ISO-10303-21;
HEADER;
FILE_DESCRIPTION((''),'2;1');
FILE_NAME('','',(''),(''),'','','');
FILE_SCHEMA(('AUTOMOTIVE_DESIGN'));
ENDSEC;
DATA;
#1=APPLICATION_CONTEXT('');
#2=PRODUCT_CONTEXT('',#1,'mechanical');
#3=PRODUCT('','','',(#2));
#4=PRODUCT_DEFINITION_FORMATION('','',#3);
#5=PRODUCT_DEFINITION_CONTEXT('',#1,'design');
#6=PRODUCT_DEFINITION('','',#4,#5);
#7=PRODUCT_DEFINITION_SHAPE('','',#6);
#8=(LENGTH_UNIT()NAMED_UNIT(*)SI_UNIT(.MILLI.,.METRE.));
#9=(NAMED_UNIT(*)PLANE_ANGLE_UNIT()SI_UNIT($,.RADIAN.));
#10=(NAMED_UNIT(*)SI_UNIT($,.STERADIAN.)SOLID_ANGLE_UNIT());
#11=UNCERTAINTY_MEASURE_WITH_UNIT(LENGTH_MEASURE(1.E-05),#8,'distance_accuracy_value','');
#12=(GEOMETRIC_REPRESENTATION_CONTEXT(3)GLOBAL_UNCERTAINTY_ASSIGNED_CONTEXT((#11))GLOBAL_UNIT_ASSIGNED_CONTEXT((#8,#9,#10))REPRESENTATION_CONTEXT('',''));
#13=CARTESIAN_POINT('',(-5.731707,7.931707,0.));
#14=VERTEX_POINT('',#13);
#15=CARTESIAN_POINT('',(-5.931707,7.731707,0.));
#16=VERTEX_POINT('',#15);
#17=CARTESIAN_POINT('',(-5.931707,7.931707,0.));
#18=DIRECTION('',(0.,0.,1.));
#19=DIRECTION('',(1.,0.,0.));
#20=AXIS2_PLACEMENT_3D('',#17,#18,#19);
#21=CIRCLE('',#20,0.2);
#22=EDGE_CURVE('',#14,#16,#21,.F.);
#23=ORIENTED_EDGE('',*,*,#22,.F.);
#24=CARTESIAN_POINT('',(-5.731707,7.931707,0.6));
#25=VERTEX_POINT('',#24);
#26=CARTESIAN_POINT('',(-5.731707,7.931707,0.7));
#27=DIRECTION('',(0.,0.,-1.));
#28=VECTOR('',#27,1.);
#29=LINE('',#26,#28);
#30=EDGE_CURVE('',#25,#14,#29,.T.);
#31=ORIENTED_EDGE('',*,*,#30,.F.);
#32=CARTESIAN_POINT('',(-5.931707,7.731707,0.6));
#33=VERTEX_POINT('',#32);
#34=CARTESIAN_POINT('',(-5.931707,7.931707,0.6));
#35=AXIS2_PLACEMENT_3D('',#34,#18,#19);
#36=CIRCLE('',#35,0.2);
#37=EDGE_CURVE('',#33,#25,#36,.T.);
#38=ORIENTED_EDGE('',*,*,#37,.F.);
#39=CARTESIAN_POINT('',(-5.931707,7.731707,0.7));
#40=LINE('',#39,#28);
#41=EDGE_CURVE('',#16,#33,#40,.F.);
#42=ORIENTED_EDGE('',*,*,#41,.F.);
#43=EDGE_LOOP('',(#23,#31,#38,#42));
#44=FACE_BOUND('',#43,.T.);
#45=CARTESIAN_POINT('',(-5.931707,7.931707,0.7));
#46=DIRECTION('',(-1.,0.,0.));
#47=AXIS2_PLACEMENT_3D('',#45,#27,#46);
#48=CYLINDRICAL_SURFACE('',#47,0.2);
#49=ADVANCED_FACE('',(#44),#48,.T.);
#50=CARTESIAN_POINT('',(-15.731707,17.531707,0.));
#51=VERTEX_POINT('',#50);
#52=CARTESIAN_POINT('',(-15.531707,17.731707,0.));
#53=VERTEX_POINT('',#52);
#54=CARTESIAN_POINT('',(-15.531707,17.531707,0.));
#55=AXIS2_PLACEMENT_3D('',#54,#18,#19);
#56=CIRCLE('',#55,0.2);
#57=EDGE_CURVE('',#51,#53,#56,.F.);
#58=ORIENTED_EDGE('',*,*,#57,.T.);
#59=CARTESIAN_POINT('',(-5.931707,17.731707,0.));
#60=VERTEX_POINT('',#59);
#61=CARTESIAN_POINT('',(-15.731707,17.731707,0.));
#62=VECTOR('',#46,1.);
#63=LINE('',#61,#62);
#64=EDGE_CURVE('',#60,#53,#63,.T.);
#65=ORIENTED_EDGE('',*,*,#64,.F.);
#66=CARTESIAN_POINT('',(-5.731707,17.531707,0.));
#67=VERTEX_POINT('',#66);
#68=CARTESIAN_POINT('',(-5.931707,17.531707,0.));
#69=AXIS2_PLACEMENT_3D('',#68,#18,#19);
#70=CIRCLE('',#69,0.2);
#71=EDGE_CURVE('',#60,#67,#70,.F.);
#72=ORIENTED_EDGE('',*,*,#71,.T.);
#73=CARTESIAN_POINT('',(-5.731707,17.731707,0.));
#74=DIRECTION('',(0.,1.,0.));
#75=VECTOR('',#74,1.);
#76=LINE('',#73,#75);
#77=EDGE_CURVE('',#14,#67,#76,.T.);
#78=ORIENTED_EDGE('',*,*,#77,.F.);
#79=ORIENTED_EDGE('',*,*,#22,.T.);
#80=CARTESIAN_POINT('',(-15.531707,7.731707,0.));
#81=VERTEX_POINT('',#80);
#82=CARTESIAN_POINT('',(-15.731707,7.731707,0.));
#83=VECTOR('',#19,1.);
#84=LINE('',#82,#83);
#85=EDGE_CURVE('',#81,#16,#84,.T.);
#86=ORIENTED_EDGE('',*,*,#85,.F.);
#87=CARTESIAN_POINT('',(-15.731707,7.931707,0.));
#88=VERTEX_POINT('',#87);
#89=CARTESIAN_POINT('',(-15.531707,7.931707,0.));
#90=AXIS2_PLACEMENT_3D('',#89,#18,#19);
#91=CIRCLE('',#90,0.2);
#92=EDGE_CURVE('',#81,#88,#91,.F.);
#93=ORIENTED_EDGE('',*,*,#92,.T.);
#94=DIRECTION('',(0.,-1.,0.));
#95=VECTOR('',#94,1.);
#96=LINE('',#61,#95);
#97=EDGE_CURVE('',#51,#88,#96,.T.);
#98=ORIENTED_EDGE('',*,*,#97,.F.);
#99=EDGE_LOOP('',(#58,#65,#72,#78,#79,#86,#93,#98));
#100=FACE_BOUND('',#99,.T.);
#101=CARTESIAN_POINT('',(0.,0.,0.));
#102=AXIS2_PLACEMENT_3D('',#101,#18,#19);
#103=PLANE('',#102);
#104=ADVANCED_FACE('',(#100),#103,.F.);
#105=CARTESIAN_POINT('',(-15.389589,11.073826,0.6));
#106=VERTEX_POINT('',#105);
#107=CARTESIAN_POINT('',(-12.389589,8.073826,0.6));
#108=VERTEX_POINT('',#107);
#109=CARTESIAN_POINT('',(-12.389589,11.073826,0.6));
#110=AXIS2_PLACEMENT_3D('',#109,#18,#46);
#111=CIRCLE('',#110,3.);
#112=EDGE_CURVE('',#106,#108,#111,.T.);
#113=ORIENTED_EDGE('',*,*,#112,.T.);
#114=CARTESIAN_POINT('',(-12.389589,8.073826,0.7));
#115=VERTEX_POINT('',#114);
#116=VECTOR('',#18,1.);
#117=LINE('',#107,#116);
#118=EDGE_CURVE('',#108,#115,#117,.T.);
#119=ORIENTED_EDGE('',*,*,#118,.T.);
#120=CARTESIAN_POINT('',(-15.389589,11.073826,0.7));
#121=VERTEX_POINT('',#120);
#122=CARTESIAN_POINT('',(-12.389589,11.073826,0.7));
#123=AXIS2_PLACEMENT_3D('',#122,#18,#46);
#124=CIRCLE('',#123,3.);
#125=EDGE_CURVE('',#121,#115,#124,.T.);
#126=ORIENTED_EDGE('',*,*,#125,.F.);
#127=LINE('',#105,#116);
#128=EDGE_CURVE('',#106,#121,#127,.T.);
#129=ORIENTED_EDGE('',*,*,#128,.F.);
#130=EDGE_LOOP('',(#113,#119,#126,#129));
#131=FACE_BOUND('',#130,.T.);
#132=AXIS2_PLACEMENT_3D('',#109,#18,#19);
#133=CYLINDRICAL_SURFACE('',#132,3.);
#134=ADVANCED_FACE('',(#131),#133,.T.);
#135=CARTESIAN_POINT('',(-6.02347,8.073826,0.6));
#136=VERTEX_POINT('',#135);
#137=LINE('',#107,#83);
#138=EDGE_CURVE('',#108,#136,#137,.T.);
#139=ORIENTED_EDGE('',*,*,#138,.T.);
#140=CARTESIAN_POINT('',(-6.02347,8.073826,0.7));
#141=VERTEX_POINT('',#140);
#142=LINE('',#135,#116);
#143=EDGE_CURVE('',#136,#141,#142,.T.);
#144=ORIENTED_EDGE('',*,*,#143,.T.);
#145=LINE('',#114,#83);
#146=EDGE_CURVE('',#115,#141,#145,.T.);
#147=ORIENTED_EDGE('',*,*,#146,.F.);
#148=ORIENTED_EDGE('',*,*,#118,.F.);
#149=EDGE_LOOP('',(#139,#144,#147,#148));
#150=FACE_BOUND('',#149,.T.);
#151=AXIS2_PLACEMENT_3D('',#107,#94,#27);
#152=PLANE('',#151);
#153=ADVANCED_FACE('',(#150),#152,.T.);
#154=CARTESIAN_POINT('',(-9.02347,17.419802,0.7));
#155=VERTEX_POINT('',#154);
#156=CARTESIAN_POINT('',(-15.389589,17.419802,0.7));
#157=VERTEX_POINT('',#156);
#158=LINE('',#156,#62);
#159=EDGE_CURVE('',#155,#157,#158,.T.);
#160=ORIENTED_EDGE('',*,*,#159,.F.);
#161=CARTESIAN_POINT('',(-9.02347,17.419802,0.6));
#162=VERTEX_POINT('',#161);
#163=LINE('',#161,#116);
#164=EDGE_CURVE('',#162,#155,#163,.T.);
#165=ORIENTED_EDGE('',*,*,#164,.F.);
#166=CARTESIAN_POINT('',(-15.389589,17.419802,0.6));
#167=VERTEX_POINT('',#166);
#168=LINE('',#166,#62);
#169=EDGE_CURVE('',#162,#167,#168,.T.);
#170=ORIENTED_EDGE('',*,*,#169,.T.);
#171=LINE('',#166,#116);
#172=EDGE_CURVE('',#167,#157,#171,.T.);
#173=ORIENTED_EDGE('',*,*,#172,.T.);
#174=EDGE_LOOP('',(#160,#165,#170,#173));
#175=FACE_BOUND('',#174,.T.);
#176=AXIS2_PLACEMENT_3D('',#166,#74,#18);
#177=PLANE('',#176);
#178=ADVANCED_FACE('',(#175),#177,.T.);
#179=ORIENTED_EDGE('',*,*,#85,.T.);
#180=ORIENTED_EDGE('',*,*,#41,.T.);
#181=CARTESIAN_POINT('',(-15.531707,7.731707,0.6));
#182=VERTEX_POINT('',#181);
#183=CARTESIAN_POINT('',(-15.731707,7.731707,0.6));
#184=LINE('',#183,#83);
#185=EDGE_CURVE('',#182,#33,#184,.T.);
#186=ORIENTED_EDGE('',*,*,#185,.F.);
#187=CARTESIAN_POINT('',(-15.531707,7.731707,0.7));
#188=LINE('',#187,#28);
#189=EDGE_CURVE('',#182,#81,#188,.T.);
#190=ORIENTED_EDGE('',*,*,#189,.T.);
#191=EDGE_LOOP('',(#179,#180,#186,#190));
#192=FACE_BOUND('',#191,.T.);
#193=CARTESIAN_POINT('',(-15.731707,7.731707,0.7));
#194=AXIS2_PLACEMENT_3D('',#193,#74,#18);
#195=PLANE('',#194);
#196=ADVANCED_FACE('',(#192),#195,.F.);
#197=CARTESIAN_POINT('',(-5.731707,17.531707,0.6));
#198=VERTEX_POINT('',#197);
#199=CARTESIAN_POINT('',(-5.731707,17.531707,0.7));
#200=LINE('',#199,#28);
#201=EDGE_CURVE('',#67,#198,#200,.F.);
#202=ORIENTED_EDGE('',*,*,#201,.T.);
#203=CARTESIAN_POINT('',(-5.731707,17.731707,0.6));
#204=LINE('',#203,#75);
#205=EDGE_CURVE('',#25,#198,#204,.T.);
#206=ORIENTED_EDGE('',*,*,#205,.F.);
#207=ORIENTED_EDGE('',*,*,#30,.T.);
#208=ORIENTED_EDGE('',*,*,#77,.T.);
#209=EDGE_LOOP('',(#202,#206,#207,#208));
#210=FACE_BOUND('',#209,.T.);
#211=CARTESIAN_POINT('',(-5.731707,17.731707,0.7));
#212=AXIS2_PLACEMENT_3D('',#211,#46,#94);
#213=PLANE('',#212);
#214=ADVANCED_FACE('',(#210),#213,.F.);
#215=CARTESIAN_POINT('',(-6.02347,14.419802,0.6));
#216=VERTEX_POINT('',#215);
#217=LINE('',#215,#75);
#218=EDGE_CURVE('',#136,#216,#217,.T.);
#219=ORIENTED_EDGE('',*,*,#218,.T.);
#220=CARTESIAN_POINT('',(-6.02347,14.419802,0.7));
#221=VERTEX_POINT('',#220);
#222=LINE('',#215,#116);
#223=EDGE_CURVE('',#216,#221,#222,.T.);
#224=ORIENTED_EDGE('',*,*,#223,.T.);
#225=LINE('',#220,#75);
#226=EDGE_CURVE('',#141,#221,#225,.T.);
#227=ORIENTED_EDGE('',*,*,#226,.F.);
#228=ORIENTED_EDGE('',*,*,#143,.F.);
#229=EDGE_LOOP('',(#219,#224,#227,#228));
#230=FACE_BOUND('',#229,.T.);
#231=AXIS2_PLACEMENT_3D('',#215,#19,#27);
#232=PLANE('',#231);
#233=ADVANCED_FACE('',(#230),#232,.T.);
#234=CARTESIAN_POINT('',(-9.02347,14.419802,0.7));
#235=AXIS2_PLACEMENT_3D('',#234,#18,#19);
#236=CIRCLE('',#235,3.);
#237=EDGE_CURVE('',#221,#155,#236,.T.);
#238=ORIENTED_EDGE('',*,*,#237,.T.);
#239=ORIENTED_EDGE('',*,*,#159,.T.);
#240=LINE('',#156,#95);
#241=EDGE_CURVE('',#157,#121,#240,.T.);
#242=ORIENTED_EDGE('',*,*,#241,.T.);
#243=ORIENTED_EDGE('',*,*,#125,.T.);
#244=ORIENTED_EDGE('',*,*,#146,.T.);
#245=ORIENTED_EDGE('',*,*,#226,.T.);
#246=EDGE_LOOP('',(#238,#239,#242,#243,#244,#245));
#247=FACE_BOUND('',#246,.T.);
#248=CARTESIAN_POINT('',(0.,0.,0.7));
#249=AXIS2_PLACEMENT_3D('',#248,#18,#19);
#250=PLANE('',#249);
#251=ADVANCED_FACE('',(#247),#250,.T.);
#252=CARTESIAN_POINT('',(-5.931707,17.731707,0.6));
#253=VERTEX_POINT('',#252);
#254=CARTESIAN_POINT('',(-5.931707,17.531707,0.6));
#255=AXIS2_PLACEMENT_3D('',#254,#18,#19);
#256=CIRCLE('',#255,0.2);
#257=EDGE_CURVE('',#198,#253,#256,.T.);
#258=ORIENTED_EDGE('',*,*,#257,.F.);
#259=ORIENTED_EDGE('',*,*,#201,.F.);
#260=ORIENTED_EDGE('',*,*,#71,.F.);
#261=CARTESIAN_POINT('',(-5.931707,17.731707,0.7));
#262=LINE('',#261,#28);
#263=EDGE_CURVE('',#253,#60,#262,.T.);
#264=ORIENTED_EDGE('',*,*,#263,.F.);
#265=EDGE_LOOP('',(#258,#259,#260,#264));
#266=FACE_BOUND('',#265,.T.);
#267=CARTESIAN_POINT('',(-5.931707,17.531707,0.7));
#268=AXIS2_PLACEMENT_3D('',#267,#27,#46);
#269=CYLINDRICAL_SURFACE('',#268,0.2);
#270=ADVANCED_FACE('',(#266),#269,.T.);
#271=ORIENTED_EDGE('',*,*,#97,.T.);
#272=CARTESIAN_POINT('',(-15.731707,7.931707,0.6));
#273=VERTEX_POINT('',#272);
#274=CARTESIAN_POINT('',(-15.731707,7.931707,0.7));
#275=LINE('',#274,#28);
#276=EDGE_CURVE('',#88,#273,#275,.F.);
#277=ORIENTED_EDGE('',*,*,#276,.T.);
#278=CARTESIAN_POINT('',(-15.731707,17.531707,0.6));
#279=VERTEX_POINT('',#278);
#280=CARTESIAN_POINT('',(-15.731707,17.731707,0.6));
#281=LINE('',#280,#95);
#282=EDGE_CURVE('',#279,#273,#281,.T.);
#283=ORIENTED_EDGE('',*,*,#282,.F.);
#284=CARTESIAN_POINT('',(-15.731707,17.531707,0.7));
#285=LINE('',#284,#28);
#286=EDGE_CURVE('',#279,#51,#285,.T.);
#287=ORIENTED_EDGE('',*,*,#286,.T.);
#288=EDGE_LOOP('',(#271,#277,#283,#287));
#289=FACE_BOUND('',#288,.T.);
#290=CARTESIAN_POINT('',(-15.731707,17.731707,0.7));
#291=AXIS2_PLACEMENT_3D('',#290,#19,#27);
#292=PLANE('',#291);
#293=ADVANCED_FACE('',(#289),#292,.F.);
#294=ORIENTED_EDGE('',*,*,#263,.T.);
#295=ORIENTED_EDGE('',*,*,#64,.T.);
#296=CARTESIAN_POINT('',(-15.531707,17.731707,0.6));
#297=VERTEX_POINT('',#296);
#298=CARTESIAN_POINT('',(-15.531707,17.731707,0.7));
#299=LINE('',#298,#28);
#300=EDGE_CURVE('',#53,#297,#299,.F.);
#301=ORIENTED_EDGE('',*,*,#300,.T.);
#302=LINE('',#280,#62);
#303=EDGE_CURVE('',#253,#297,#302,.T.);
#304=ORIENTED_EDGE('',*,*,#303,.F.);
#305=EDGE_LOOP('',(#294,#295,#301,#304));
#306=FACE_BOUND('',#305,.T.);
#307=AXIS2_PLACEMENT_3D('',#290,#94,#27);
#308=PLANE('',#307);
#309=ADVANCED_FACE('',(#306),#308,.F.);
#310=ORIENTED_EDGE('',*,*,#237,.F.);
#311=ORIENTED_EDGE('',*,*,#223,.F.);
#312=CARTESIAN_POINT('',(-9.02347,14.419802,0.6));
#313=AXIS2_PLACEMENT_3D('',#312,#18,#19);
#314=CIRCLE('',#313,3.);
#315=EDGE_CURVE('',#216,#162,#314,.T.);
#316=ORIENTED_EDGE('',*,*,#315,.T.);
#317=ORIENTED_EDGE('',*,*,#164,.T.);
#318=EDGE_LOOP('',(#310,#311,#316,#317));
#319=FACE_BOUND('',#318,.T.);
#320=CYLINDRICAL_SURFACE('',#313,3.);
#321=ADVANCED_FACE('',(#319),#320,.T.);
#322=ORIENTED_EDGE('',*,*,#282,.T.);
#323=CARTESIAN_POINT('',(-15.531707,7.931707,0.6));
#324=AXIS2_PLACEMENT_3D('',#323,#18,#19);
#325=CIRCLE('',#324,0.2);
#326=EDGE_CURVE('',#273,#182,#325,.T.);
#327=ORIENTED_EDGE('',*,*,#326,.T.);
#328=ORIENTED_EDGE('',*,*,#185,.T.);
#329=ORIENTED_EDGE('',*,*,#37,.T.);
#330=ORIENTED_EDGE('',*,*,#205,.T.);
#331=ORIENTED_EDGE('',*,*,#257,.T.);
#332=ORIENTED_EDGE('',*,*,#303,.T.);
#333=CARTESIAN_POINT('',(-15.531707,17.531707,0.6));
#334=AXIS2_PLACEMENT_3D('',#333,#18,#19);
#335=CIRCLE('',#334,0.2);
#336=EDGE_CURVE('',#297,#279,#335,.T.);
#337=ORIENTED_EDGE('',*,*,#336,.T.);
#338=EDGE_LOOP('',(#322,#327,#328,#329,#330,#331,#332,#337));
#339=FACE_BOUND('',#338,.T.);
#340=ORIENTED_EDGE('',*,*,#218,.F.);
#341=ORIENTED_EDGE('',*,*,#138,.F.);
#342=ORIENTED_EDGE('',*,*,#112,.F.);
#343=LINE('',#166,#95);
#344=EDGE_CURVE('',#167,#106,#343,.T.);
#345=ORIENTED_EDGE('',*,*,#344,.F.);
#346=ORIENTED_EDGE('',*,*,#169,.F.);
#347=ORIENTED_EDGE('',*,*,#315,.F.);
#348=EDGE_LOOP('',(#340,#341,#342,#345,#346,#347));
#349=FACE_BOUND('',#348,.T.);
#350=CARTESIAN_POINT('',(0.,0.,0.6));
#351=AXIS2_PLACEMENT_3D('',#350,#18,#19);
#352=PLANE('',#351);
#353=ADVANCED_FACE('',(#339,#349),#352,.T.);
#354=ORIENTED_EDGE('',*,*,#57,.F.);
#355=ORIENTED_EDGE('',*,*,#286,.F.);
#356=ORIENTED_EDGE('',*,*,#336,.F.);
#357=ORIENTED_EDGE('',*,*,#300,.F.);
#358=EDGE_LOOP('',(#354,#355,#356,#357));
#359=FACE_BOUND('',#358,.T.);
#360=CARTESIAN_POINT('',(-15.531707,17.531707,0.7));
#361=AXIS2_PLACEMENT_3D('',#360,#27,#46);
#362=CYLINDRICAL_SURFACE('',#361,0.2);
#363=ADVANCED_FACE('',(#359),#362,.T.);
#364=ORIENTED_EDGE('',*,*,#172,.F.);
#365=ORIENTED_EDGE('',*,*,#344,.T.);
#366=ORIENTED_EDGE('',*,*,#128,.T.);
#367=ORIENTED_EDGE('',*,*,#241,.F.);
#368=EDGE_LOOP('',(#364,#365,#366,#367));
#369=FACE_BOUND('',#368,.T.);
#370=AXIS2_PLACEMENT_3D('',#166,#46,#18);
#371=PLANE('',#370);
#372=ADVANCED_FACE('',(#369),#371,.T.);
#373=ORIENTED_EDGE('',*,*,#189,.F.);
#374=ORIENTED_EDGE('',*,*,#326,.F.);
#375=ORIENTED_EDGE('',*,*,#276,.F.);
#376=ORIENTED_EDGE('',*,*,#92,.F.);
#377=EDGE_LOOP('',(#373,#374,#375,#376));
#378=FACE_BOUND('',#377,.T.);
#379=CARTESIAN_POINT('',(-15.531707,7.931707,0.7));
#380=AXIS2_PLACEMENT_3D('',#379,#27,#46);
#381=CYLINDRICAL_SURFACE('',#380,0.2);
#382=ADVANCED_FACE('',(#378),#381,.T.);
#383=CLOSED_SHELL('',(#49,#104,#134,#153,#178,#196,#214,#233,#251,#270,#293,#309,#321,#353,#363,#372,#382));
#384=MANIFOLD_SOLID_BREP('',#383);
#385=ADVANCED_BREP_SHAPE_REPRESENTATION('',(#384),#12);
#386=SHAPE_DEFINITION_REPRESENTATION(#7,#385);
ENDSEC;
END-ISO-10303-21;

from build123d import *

# Parameters (mm, degrees)
SKETCH_1_W          = 10
SKETCH_1_H          = 10
EXTRUDE_1_DEPTH     = 0.7
SKETCH_2_W          = 10
SKETCH_2_H          = 10
CUT_EXTRUDE_1_DEPTH = 0.1
FILLET_1_R          = 0.2


with BuildPart() as part:
    # 草图1 → 凸台-拉伸1 (new body)
    with BuildSketch(Plane.XY):
        with Locations((-10.731707317, 12.731707317)):
            Rectangle(SKETCH_1_W, SKETCH_1_H)
    extrude(amount=EXTRUDE_1_DEPTH)

    # 草图2 → 切除-拉伸1 (cut)
    with BuildSketch(Plane.XY.offset(0.7)):
        with Locations((-10.731707317, 12.731707317)):
            Rectangle(SKETCH_2_W, SKETCH_2_H)
        with BuildLine():
            Line((-15.389589016, 17.419802303), (-9.02347014, 17.419802303))
            ThreePointArc((-9.02347014, 17.419802303), (-6.902149796, 16.541122647), (-6.02347014, 14.419802303))
            Line((-6.02347014, 14.419802303), (-6.02347014, 8.073825618))
            Line((-6.02347014, 8.073825618), (-12.389589016, 8.073825618))
            ThreePointArc((-12.389589016, 8.073825618), (-14.51090936, 8.952505274), (-15.389589016, 11.073825618))
            Line((-15.389589016, 11.073825618), (-15.389589016, 17.419802303))
        make_face(mode=Mode.SUBTRACT)
    extrude(amount=-CUT_EXTRUDE_1_DEPTH, mode=Mode.SUBTRACT)

    # 圆角1
    fillet_1_edges = [part.edges().sort_by_distance(p)[0] for p in [
        (-15.731707317, 17.731707317, 0.3),
        (-5.731707317, 17.731707317, 0.3),
        (-5.731707317, 7.731707317, 0.3),
        (-15.731707317, 7.731707317, 0.3),
    ]]
    fillet(fillet_1_edges, radius=FILLET_1_R)


solid = part.part
